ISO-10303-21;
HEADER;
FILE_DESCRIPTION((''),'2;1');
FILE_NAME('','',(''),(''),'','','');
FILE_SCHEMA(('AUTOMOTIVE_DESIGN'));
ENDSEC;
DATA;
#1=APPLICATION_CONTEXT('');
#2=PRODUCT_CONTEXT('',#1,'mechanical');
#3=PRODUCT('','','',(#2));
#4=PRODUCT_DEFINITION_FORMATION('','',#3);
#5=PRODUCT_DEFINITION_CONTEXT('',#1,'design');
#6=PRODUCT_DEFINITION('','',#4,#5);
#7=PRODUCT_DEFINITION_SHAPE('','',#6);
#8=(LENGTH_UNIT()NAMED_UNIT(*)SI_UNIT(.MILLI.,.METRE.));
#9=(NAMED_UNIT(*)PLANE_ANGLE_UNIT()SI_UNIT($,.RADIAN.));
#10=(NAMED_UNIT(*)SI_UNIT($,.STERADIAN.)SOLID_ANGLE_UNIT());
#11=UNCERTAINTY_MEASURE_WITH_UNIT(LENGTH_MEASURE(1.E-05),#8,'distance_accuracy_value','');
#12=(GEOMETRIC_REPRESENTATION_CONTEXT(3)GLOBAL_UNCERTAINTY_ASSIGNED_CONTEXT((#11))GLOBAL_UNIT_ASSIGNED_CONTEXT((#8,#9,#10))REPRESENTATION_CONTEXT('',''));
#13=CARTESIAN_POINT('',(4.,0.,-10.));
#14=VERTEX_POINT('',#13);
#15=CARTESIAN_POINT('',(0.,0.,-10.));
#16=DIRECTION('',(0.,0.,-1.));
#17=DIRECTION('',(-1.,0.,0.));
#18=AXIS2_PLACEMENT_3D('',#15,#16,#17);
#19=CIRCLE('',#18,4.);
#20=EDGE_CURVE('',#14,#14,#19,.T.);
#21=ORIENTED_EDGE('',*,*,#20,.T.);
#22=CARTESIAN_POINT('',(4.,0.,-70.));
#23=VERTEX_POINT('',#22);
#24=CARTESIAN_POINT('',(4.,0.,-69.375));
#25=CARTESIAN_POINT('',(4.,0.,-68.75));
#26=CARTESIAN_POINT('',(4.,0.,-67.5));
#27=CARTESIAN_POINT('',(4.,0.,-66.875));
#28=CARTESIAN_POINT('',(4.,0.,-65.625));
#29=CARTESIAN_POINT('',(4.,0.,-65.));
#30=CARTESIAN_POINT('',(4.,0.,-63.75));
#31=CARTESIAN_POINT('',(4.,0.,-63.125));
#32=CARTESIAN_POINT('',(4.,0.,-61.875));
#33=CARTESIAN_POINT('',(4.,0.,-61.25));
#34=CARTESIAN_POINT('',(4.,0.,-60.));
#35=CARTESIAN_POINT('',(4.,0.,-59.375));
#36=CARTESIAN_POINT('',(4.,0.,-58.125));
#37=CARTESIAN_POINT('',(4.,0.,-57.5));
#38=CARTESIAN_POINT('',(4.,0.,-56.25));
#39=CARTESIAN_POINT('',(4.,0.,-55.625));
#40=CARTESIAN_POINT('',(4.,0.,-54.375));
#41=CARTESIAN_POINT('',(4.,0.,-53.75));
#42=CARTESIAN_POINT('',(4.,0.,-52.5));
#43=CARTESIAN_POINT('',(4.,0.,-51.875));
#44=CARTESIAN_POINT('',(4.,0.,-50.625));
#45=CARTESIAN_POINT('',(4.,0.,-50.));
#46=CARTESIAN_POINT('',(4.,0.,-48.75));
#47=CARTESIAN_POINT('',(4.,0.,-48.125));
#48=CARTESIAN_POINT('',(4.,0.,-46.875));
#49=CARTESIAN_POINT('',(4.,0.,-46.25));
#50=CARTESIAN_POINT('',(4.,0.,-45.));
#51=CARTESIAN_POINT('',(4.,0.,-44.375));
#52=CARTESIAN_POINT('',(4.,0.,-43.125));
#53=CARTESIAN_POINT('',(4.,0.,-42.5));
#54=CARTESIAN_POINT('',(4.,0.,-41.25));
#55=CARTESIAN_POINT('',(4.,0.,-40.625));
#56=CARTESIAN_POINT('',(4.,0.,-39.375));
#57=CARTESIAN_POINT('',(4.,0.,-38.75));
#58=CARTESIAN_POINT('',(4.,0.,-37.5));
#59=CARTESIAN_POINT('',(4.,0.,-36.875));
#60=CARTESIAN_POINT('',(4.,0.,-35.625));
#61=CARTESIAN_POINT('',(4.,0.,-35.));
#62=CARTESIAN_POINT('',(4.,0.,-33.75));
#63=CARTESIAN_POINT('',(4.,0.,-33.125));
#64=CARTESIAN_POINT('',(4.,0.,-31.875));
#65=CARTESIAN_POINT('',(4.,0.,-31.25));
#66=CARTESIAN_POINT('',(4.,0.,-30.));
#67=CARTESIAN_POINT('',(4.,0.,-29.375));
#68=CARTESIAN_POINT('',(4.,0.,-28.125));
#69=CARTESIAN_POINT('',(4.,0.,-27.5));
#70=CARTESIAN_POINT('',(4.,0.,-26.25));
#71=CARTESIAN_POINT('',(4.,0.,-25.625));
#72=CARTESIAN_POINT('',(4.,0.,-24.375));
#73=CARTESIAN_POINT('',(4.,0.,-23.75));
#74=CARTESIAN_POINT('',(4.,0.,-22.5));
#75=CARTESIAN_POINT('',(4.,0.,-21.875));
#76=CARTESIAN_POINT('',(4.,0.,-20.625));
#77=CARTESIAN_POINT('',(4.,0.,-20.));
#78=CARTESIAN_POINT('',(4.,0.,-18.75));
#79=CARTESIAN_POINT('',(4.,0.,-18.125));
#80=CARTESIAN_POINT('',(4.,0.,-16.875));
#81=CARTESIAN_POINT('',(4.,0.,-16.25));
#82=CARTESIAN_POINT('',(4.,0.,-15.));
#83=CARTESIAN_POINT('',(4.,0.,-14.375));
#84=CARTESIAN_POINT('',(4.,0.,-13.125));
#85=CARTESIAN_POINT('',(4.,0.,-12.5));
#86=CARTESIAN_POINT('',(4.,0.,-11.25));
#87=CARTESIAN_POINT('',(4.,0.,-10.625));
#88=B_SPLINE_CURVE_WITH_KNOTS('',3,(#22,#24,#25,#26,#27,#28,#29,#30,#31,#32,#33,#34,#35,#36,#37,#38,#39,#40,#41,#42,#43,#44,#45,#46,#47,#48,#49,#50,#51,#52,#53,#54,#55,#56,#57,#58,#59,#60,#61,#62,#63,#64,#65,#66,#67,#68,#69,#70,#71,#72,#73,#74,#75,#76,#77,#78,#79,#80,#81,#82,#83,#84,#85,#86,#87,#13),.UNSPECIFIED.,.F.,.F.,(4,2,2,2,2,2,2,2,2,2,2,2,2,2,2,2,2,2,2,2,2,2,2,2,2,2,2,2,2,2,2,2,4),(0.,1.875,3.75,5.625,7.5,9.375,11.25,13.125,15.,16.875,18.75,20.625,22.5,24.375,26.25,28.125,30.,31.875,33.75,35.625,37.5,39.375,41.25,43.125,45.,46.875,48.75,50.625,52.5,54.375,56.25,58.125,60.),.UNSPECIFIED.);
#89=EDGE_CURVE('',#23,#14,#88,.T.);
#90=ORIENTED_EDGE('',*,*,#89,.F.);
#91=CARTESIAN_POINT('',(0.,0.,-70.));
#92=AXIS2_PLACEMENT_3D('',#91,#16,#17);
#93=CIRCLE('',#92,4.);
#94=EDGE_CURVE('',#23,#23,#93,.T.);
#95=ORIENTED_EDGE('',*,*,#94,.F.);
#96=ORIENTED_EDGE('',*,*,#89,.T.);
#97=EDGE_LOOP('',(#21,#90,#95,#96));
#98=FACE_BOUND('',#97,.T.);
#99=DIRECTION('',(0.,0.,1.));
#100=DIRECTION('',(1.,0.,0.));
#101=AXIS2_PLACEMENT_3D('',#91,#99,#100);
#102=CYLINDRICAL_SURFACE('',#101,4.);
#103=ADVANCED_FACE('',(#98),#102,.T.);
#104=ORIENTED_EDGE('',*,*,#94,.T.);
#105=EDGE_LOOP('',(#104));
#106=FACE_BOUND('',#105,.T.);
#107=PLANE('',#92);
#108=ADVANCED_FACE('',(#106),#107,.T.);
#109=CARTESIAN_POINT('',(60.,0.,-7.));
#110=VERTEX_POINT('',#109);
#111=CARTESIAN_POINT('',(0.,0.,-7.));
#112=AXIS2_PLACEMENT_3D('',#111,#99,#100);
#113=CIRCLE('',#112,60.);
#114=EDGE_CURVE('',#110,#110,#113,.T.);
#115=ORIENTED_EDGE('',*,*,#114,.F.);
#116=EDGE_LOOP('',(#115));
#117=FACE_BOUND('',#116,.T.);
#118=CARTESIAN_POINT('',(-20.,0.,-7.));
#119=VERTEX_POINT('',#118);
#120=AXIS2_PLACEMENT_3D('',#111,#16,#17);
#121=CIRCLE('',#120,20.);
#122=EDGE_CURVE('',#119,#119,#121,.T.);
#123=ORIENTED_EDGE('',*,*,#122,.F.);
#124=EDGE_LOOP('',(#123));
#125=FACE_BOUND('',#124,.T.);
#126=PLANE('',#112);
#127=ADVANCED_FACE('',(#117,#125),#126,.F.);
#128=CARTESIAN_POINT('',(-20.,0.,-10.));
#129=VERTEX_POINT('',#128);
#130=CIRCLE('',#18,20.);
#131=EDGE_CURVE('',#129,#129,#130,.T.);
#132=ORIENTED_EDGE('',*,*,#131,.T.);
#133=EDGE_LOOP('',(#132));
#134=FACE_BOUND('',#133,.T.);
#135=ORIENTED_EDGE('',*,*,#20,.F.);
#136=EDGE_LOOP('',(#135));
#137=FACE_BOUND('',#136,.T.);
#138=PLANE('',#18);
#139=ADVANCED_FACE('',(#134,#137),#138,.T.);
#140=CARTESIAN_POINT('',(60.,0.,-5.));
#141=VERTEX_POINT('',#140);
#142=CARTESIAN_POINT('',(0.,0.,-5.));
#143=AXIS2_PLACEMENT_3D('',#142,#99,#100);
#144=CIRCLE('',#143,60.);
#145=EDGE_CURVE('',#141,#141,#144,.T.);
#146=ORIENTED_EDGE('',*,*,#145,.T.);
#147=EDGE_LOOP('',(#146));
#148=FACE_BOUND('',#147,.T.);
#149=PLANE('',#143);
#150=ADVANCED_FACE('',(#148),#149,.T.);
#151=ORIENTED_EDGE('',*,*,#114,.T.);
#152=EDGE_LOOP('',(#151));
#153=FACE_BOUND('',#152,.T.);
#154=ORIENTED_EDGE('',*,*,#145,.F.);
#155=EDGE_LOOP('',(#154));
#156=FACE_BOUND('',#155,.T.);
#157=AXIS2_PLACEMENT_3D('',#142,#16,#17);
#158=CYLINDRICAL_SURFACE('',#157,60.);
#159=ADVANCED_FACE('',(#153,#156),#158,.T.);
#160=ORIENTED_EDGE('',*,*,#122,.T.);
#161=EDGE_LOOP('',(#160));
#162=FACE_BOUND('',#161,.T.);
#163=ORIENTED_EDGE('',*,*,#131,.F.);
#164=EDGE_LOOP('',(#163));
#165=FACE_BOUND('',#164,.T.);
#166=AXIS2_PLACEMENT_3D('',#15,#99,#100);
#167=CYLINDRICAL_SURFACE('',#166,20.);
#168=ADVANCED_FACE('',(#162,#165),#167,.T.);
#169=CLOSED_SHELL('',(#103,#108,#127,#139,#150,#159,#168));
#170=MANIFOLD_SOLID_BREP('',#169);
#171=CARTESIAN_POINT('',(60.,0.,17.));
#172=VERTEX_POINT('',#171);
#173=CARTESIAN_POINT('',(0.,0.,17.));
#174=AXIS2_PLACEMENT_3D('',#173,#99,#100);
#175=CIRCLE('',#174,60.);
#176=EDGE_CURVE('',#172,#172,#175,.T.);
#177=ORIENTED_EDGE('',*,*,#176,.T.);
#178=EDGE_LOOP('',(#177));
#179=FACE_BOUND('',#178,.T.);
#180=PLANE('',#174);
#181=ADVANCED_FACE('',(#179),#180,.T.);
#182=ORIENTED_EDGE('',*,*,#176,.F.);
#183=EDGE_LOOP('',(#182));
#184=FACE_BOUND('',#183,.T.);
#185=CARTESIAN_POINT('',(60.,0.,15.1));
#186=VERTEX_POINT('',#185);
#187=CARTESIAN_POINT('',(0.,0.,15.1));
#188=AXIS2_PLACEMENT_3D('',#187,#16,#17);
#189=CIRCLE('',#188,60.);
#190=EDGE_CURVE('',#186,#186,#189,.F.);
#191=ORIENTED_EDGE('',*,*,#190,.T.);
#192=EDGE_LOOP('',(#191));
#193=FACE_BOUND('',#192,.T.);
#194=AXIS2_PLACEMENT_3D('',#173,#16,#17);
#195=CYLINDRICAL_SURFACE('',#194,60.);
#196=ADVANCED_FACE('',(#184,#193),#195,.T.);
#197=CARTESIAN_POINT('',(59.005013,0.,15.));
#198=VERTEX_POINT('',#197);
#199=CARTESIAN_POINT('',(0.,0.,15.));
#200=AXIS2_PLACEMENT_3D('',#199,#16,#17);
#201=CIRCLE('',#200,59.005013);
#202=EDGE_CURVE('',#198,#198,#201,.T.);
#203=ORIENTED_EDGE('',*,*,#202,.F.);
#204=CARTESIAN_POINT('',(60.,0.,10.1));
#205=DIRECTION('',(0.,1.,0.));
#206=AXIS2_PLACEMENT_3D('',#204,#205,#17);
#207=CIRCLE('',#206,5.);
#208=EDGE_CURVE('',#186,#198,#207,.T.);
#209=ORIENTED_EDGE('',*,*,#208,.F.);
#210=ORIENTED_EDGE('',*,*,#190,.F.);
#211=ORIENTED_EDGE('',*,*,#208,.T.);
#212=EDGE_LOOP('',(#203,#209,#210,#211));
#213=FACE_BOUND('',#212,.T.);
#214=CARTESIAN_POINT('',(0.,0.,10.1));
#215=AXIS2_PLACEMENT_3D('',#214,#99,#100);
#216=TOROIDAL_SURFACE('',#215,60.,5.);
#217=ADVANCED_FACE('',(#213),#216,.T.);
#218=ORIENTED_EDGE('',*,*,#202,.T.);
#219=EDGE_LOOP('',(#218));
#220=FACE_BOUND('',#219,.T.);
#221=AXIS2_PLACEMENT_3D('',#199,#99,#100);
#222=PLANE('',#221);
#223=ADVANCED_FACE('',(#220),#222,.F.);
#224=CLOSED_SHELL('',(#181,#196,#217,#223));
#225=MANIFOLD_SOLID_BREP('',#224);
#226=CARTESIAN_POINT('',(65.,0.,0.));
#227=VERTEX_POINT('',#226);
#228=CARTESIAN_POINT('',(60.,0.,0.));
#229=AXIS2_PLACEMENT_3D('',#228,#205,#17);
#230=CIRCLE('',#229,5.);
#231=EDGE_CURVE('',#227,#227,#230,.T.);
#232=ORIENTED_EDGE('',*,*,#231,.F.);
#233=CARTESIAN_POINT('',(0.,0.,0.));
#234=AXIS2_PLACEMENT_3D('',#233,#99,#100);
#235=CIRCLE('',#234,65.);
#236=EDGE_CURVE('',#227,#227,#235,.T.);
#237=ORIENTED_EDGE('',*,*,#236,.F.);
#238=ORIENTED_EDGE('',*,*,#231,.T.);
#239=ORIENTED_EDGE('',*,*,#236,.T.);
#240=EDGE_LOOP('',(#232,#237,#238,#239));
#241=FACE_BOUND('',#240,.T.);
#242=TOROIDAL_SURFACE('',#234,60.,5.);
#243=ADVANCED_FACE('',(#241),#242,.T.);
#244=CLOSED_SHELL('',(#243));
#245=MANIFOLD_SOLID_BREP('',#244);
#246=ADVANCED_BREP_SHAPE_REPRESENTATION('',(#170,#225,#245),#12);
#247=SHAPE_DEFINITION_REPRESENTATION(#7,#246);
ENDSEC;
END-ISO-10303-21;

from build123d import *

# Parameters (mm, degrees)
SWEEP1_PROFILE_R    = 5
SKETCH12_R          = 60
BOSS_EXTRUDE1_DEPTH = 2
LPATTERN1_COUNT     = 2
LPATTERN1_PITCH     = 22
SKETCH13_R          = 20
BOSS_EXTRUDE2_DEPTH = 3
SKETCH14_R          = 4
BOSS_EXTRUDE3_DEPTH = 60
LPATTERN5_COUNT     = 2
LPATTERN5_PITCH     = 10.1


with BuildPart() as part:
    # Sweep1: sweep along a path in Sketch1
    with BuildLine(Plane.XY) as sweep1_path:
        CenterArc((0, 0), 60, 0, 360)
    # Sweep1 profile (on start of the path) → Sweep1 (sweep)
    with BuildSketch(Plane(origin=(60, 0, 0), x_dir=(0, 0, 1), z_dir=(0, 1, 0))):
        Circle(SWEEP1_PROFILE_R)
    sweep1 = sweep(path=sweep1_path.line)


with BuildPart() as body_2:
    # Sketch12 → Boss-Extrude1 (new body)
    with BuildSketch(Plane.XY.offset(15)):
        Circle(SKETCH12_R)
    boss_extrude1 = extrude(amount=BOSS_EXTRUDE1_DEPTH)

    # LPattern5: Sweep1 ×2
    with Locations(*[(0, 0, i * LPATTERN5_PITCH) for i in range(1, LPATTERN5_COUNT)]):
        add(sweep1)


with BuildPart() as lpattern1_1:
    # LPattern1: Boss-Extrude1 ×2
    with Locations(*[(0, 0, -i * LPATTERN1_PITCH) for i in range(1, LPATTERN1_COUNT)]):
        add(boss_extrude1)

    # Sketch13 → Boss-Extrude2 (add)
    with BuildSketch(Plane(origin=(0, 0, -7), x_dir=(-1, 0, 0), z_dir=(0, 0, -1))):
        Circle(SKETCH13_R)
    extrude(amount=BOSS_EXTRUDE2_DEPTH)

    # Sketch14 → Boss-Extrude3 (add)
    with BuildSketch(Plane(origin=(0, 0, -10), x_dir=(-1, 0, 0), z_dir=(0, 0, -1))):
        with Locations(Location((0, 0, 0), (0, 0, 180))):
            Circle(SKETCH14_R)
    extrude(amount=BOSS_EXTRUDE3_DEPTH)


solid = Compound([part.part, body_2.part, lpattern1_1.part])
